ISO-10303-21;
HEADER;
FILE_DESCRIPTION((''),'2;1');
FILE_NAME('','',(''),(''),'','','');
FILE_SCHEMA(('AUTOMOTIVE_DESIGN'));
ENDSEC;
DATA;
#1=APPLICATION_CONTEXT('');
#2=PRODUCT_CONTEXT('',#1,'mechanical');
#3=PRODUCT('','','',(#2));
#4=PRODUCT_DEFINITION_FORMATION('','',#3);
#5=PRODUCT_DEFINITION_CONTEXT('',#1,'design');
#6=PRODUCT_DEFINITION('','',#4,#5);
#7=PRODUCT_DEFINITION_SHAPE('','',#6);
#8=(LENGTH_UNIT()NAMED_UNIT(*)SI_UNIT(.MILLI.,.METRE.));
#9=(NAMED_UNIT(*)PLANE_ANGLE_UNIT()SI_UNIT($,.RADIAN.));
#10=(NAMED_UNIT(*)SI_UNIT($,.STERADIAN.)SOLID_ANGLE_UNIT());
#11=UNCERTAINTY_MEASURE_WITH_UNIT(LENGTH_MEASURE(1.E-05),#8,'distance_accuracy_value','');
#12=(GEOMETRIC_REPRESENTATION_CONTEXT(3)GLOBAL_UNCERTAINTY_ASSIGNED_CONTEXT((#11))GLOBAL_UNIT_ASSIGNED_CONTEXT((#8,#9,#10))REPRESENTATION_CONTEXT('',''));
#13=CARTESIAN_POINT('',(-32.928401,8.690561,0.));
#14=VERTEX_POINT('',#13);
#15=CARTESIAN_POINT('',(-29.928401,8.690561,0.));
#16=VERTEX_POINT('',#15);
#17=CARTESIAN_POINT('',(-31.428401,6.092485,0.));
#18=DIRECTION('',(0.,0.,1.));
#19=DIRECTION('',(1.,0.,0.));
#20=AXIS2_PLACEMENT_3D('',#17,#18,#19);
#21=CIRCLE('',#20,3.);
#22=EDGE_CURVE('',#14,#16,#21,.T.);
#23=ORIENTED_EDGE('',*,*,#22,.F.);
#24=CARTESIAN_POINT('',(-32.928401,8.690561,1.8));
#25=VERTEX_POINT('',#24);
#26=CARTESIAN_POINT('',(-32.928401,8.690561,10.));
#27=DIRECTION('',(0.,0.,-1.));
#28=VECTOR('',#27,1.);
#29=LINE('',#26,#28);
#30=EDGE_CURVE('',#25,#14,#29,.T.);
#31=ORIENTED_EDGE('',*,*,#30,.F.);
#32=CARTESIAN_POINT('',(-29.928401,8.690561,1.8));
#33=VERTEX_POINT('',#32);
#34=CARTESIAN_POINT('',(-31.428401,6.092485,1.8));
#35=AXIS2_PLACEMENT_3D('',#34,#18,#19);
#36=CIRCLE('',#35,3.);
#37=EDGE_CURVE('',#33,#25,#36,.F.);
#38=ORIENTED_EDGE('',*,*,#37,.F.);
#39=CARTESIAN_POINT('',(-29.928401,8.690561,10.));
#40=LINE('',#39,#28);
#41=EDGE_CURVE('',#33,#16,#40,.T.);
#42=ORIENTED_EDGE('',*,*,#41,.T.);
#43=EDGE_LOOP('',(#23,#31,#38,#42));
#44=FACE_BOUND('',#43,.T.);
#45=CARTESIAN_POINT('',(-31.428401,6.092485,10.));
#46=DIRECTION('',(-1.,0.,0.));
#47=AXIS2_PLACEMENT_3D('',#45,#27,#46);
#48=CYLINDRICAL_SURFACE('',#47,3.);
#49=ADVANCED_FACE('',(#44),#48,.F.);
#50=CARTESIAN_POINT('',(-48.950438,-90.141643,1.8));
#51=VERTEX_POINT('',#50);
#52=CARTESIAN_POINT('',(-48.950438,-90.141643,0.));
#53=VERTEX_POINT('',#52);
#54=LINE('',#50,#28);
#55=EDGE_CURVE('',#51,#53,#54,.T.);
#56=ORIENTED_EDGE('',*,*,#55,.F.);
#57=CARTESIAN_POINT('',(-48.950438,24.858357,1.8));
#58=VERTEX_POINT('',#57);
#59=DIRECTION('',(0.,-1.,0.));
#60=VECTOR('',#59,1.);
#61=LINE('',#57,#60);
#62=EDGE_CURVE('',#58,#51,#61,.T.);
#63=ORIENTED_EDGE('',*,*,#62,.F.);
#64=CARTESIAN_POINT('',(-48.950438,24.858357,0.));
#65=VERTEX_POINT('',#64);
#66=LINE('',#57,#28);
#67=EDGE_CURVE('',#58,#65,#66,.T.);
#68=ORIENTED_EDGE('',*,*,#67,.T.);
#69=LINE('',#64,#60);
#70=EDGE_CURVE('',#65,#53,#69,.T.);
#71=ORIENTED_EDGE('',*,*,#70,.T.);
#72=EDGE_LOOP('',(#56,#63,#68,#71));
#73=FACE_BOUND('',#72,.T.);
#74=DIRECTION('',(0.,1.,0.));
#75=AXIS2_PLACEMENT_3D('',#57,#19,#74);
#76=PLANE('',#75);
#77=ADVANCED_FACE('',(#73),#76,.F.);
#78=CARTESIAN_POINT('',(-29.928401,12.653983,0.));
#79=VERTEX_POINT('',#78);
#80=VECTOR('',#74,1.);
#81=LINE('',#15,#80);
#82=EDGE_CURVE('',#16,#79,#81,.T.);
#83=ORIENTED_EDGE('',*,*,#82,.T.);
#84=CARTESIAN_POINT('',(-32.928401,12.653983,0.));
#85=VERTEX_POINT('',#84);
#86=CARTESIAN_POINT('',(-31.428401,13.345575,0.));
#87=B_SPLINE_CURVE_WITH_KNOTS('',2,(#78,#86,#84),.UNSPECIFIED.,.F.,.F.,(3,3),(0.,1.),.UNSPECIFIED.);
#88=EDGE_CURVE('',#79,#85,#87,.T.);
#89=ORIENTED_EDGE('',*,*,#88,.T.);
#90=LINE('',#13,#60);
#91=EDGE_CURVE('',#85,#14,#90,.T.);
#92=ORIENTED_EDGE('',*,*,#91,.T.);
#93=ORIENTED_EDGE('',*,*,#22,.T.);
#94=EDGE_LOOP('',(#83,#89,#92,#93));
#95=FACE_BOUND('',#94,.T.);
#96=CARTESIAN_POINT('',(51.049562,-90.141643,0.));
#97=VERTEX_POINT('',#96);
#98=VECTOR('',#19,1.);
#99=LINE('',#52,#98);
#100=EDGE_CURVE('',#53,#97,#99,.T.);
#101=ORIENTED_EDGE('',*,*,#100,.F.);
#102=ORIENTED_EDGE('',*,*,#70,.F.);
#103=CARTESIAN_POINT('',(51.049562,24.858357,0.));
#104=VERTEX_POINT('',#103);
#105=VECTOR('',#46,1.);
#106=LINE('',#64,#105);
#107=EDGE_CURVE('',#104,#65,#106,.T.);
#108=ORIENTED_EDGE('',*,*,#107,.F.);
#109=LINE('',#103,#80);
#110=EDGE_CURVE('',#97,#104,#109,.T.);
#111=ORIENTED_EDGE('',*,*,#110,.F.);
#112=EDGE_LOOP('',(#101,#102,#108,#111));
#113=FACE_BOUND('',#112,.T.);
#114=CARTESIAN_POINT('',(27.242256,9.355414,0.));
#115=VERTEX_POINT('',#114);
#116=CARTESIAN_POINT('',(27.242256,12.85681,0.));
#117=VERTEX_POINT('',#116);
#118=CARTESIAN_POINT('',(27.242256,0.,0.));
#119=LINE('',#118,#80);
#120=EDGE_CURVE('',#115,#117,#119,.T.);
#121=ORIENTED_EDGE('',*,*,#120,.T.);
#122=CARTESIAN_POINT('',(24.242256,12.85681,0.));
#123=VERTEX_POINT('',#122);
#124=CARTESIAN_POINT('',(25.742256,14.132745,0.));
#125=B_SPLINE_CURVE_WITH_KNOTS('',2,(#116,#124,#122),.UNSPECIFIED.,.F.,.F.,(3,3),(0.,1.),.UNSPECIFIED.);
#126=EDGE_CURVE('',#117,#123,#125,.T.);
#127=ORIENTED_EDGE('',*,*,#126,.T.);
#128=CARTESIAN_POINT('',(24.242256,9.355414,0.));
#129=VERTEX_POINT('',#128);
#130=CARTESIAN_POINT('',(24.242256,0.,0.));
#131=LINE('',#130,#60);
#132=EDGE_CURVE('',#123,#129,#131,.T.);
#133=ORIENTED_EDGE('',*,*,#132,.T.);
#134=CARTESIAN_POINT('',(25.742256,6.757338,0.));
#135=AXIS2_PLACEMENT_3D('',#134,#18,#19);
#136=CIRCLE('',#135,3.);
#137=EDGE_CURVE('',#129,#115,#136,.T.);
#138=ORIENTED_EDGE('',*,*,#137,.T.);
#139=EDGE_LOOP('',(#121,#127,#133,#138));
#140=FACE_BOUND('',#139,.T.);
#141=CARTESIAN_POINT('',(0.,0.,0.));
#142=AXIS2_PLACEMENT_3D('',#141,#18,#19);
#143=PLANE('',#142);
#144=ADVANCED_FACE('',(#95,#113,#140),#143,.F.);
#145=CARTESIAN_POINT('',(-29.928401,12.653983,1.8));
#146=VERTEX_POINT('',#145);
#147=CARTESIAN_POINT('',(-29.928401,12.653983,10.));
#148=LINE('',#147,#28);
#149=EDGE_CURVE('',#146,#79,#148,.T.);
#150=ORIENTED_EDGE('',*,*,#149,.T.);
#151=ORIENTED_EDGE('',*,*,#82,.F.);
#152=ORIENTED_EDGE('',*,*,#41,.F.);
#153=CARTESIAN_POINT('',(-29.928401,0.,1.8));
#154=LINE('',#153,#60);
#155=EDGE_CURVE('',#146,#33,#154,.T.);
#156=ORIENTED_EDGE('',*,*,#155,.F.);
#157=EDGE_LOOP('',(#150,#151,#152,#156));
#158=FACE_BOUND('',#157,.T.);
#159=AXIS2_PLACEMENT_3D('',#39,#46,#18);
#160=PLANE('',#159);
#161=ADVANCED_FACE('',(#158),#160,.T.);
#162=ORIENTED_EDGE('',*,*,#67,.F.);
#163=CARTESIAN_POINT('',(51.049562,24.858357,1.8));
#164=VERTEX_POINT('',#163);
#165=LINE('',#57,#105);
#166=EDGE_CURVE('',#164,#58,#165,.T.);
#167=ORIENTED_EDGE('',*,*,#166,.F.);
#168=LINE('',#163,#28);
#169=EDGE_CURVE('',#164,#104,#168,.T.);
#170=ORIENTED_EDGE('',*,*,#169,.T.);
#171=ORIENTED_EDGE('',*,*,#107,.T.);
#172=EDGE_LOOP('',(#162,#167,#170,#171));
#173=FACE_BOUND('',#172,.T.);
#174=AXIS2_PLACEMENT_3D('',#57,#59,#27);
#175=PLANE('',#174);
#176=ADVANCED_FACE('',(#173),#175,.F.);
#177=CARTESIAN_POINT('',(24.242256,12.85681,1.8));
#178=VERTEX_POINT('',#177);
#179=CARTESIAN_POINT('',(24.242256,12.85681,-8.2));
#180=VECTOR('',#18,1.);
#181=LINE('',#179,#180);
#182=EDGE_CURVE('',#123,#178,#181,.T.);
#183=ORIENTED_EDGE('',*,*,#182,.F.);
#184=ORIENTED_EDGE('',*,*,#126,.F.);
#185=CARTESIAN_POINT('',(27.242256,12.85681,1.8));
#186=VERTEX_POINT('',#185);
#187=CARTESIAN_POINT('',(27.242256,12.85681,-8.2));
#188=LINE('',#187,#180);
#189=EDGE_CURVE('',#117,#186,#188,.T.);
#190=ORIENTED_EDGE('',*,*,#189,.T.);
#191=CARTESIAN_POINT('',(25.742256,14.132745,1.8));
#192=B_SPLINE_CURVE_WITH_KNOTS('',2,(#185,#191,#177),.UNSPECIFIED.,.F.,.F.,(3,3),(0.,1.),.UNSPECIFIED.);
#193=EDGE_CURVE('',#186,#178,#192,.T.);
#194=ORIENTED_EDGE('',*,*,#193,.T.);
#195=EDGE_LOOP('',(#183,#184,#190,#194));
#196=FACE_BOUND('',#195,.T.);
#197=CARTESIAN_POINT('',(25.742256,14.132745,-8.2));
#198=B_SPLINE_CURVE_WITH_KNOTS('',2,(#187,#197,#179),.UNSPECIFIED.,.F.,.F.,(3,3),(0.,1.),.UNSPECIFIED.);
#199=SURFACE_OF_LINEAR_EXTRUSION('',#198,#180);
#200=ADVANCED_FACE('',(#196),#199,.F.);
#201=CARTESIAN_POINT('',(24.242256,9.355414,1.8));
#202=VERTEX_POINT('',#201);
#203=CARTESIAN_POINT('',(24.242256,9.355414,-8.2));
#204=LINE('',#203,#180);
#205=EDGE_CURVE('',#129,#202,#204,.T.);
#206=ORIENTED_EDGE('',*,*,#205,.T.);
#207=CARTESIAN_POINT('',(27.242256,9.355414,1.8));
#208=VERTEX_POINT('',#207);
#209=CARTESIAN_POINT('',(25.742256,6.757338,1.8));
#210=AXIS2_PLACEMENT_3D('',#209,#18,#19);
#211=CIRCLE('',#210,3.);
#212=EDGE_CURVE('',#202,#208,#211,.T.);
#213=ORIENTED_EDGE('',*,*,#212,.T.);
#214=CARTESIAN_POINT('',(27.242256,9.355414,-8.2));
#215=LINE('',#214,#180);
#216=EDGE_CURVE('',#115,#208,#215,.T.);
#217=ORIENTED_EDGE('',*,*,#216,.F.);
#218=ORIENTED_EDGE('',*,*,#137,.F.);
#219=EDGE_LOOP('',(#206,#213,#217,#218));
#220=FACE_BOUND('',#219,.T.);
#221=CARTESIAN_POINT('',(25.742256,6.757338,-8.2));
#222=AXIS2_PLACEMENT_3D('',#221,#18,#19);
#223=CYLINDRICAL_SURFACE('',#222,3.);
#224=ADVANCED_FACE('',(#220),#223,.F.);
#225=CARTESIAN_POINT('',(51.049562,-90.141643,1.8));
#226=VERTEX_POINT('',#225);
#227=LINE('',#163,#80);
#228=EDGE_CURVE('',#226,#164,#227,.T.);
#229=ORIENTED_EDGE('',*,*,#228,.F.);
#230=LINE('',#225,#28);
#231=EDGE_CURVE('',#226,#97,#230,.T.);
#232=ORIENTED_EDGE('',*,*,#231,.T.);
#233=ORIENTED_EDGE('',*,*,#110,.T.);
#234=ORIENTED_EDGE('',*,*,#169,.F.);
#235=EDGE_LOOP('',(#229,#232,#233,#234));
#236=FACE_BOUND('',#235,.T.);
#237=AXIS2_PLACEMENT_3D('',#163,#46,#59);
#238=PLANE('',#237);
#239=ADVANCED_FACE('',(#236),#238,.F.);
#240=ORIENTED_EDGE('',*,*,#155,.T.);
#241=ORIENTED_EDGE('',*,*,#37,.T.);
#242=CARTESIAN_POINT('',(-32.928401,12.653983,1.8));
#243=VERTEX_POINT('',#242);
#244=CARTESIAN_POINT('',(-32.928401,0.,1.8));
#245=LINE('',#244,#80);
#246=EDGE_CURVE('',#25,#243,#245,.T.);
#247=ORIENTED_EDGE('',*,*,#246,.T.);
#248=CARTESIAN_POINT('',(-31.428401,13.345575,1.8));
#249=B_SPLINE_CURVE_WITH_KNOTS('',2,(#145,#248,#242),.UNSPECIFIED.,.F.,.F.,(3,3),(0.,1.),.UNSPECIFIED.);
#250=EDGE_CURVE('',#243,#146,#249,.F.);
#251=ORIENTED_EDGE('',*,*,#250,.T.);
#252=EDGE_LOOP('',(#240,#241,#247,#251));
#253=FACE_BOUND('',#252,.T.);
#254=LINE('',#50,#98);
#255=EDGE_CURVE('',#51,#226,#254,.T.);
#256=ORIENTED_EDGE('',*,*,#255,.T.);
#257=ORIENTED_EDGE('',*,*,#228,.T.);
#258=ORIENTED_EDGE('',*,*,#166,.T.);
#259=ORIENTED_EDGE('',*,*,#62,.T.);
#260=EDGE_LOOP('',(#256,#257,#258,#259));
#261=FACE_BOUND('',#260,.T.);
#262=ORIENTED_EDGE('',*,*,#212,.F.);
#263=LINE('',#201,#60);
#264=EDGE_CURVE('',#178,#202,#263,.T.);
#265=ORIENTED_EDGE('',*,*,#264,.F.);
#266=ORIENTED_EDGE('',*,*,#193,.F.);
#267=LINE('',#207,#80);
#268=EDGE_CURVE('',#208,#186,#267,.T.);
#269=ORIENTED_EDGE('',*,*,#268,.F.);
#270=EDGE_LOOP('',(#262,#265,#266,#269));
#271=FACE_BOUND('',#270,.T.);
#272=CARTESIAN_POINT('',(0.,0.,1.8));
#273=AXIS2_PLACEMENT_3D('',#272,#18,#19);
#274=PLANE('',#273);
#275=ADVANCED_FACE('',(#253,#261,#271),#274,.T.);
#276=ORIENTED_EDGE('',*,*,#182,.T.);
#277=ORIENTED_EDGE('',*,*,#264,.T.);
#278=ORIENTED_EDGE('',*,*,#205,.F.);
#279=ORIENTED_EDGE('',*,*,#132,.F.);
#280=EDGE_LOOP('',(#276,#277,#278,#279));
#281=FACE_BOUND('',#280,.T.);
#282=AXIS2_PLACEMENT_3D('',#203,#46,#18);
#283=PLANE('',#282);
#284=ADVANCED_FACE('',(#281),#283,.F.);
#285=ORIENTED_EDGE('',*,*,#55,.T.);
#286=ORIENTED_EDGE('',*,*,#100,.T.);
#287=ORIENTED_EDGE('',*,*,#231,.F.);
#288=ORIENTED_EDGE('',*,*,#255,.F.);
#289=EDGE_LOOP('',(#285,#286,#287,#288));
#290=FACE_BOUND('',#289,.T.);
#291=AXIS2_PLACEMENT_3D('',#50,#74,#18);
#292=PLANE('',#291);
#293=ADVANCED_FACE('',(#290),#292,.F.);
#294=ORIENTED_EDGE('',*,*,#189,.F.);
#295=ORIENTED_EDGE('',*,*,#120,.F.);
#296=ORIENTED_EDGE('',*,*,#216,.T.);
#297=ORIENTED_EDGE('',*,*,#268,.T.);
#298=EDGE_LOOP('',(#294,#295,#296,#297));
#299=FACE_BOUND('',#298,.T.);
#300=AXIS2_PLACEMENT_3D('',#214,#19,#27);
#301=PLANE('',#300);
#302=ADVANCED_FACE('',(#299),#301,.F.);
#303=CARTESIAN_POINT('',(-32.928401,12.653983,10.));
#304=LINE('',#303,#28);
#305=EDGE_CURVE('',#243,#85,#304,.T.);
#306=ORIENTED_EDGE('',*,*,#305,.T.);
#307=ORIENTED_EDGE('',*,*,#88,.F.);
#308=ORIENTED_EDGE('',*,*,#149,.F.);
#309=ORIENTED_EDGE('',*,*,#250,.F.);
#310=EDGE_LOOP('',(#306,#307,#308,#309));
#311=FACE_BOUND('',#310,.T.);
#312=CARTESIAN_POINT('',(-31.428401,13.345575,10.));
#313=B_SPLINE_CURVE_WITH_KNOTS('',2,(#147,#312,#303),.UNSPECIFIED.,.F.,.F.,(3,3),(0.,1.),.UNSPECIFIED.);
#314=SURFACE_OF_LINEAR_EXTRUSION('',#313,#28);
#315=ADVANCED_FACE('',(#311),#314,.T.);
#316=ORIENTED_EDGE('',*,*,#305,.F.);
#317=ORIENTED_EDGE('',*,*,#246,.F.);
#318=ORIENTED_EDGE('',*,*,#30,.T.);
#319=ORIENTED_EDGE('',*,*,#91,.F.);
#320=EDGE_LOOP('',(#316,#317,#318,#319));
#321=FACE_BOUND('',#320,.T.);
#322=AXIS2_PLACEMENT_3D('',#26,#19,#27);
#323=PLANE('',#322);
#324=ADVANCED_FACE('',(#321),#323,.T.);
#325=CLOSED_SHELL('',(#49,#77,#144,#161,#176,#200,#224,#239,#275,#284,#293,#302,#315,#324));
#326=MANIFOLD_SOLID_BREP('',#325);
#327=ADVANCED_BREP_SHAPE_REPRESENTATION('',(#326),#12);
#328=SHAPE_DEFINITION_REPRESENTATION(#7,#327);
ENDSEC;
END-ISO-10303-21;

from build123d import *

# Parameters (mm, degrees)
IZIM1_W                     = 100
IZIM1_H                     = 115
Y_KSEKLIK_EKSTR_ZYON1_DEPTH = 1.8
KES_EKSTR_ZYON3_DEPTH       = 10
KES_EKSTR_ZYON5_DEPTH       = 10


with BuildPart() as part:
    # Çizim1 → Yükseklik-Ekstrüzyon1 (new body)
    with BuildSketch(Plane.XY):
        with Locations((1.04956231, -32.641643059)):
            Rectangle(IZIM1_W, IZIM1_H)
    extrude(amount=Y_KSEKLIK_EKSTR_ZYON1_DEPTH)

    # Çizim2 → Kes-Ekstrüzyon3 (cut)
    with BuildSketch(Plane.XY):
        with BuildLine():
            Line((-32.928401058, 8.690561448), (-32.928401058, 12.65398339))
            add(Edge.make_bspline(
                [(-32.928401058, 12.65398339), (-31.428401058, 13.345574781), (-29.928401058, 12.65398339)],
                knots=[0, 0, 0, 1, 1, 1], degree=2))
            Line((-29.928401058, 12.65398339), (-29.928401058, 8.690561448))
            ThreePointArc((-29.928401058, 8.690561448), (-31.428401058, 3.092485237), (-32.928401058, 8.690561448))
        make_face()
    extrude(amount=KES_EKSTR_ZYON3_DEPTH, mode=Mode.SUBTRACT)

    # Çizim4 → Kes-Ekstrüzyon5 (cut)
    with BuildSketch(Plane.XY.offset(1.8)):
        with BuildLine():
            Line((24.242256458, 9.355414165), (24.242256458, 12.856809752))
            add(Edge.make_bspline(
                [(24.242256458, 12.856809752), (25.742256458, 14.132745358), (27.242256458, 12.856809752)],
                knots=[0, 0, 0, 1, 1, 1], degree=2))
            Line((27.242256458, 12.856809752), (27.242256458, 9.355414165))
            ThreePointArc((27.242256458, 9.355414165), (25.742256458, 3.757337953), (24.242256458, 9.355414165))
        make_face()
    extrude(amount=-KES_EKSTR_ZYON5_DEPTH, mode=Mode.SUBTRACT)


solid = part.part
